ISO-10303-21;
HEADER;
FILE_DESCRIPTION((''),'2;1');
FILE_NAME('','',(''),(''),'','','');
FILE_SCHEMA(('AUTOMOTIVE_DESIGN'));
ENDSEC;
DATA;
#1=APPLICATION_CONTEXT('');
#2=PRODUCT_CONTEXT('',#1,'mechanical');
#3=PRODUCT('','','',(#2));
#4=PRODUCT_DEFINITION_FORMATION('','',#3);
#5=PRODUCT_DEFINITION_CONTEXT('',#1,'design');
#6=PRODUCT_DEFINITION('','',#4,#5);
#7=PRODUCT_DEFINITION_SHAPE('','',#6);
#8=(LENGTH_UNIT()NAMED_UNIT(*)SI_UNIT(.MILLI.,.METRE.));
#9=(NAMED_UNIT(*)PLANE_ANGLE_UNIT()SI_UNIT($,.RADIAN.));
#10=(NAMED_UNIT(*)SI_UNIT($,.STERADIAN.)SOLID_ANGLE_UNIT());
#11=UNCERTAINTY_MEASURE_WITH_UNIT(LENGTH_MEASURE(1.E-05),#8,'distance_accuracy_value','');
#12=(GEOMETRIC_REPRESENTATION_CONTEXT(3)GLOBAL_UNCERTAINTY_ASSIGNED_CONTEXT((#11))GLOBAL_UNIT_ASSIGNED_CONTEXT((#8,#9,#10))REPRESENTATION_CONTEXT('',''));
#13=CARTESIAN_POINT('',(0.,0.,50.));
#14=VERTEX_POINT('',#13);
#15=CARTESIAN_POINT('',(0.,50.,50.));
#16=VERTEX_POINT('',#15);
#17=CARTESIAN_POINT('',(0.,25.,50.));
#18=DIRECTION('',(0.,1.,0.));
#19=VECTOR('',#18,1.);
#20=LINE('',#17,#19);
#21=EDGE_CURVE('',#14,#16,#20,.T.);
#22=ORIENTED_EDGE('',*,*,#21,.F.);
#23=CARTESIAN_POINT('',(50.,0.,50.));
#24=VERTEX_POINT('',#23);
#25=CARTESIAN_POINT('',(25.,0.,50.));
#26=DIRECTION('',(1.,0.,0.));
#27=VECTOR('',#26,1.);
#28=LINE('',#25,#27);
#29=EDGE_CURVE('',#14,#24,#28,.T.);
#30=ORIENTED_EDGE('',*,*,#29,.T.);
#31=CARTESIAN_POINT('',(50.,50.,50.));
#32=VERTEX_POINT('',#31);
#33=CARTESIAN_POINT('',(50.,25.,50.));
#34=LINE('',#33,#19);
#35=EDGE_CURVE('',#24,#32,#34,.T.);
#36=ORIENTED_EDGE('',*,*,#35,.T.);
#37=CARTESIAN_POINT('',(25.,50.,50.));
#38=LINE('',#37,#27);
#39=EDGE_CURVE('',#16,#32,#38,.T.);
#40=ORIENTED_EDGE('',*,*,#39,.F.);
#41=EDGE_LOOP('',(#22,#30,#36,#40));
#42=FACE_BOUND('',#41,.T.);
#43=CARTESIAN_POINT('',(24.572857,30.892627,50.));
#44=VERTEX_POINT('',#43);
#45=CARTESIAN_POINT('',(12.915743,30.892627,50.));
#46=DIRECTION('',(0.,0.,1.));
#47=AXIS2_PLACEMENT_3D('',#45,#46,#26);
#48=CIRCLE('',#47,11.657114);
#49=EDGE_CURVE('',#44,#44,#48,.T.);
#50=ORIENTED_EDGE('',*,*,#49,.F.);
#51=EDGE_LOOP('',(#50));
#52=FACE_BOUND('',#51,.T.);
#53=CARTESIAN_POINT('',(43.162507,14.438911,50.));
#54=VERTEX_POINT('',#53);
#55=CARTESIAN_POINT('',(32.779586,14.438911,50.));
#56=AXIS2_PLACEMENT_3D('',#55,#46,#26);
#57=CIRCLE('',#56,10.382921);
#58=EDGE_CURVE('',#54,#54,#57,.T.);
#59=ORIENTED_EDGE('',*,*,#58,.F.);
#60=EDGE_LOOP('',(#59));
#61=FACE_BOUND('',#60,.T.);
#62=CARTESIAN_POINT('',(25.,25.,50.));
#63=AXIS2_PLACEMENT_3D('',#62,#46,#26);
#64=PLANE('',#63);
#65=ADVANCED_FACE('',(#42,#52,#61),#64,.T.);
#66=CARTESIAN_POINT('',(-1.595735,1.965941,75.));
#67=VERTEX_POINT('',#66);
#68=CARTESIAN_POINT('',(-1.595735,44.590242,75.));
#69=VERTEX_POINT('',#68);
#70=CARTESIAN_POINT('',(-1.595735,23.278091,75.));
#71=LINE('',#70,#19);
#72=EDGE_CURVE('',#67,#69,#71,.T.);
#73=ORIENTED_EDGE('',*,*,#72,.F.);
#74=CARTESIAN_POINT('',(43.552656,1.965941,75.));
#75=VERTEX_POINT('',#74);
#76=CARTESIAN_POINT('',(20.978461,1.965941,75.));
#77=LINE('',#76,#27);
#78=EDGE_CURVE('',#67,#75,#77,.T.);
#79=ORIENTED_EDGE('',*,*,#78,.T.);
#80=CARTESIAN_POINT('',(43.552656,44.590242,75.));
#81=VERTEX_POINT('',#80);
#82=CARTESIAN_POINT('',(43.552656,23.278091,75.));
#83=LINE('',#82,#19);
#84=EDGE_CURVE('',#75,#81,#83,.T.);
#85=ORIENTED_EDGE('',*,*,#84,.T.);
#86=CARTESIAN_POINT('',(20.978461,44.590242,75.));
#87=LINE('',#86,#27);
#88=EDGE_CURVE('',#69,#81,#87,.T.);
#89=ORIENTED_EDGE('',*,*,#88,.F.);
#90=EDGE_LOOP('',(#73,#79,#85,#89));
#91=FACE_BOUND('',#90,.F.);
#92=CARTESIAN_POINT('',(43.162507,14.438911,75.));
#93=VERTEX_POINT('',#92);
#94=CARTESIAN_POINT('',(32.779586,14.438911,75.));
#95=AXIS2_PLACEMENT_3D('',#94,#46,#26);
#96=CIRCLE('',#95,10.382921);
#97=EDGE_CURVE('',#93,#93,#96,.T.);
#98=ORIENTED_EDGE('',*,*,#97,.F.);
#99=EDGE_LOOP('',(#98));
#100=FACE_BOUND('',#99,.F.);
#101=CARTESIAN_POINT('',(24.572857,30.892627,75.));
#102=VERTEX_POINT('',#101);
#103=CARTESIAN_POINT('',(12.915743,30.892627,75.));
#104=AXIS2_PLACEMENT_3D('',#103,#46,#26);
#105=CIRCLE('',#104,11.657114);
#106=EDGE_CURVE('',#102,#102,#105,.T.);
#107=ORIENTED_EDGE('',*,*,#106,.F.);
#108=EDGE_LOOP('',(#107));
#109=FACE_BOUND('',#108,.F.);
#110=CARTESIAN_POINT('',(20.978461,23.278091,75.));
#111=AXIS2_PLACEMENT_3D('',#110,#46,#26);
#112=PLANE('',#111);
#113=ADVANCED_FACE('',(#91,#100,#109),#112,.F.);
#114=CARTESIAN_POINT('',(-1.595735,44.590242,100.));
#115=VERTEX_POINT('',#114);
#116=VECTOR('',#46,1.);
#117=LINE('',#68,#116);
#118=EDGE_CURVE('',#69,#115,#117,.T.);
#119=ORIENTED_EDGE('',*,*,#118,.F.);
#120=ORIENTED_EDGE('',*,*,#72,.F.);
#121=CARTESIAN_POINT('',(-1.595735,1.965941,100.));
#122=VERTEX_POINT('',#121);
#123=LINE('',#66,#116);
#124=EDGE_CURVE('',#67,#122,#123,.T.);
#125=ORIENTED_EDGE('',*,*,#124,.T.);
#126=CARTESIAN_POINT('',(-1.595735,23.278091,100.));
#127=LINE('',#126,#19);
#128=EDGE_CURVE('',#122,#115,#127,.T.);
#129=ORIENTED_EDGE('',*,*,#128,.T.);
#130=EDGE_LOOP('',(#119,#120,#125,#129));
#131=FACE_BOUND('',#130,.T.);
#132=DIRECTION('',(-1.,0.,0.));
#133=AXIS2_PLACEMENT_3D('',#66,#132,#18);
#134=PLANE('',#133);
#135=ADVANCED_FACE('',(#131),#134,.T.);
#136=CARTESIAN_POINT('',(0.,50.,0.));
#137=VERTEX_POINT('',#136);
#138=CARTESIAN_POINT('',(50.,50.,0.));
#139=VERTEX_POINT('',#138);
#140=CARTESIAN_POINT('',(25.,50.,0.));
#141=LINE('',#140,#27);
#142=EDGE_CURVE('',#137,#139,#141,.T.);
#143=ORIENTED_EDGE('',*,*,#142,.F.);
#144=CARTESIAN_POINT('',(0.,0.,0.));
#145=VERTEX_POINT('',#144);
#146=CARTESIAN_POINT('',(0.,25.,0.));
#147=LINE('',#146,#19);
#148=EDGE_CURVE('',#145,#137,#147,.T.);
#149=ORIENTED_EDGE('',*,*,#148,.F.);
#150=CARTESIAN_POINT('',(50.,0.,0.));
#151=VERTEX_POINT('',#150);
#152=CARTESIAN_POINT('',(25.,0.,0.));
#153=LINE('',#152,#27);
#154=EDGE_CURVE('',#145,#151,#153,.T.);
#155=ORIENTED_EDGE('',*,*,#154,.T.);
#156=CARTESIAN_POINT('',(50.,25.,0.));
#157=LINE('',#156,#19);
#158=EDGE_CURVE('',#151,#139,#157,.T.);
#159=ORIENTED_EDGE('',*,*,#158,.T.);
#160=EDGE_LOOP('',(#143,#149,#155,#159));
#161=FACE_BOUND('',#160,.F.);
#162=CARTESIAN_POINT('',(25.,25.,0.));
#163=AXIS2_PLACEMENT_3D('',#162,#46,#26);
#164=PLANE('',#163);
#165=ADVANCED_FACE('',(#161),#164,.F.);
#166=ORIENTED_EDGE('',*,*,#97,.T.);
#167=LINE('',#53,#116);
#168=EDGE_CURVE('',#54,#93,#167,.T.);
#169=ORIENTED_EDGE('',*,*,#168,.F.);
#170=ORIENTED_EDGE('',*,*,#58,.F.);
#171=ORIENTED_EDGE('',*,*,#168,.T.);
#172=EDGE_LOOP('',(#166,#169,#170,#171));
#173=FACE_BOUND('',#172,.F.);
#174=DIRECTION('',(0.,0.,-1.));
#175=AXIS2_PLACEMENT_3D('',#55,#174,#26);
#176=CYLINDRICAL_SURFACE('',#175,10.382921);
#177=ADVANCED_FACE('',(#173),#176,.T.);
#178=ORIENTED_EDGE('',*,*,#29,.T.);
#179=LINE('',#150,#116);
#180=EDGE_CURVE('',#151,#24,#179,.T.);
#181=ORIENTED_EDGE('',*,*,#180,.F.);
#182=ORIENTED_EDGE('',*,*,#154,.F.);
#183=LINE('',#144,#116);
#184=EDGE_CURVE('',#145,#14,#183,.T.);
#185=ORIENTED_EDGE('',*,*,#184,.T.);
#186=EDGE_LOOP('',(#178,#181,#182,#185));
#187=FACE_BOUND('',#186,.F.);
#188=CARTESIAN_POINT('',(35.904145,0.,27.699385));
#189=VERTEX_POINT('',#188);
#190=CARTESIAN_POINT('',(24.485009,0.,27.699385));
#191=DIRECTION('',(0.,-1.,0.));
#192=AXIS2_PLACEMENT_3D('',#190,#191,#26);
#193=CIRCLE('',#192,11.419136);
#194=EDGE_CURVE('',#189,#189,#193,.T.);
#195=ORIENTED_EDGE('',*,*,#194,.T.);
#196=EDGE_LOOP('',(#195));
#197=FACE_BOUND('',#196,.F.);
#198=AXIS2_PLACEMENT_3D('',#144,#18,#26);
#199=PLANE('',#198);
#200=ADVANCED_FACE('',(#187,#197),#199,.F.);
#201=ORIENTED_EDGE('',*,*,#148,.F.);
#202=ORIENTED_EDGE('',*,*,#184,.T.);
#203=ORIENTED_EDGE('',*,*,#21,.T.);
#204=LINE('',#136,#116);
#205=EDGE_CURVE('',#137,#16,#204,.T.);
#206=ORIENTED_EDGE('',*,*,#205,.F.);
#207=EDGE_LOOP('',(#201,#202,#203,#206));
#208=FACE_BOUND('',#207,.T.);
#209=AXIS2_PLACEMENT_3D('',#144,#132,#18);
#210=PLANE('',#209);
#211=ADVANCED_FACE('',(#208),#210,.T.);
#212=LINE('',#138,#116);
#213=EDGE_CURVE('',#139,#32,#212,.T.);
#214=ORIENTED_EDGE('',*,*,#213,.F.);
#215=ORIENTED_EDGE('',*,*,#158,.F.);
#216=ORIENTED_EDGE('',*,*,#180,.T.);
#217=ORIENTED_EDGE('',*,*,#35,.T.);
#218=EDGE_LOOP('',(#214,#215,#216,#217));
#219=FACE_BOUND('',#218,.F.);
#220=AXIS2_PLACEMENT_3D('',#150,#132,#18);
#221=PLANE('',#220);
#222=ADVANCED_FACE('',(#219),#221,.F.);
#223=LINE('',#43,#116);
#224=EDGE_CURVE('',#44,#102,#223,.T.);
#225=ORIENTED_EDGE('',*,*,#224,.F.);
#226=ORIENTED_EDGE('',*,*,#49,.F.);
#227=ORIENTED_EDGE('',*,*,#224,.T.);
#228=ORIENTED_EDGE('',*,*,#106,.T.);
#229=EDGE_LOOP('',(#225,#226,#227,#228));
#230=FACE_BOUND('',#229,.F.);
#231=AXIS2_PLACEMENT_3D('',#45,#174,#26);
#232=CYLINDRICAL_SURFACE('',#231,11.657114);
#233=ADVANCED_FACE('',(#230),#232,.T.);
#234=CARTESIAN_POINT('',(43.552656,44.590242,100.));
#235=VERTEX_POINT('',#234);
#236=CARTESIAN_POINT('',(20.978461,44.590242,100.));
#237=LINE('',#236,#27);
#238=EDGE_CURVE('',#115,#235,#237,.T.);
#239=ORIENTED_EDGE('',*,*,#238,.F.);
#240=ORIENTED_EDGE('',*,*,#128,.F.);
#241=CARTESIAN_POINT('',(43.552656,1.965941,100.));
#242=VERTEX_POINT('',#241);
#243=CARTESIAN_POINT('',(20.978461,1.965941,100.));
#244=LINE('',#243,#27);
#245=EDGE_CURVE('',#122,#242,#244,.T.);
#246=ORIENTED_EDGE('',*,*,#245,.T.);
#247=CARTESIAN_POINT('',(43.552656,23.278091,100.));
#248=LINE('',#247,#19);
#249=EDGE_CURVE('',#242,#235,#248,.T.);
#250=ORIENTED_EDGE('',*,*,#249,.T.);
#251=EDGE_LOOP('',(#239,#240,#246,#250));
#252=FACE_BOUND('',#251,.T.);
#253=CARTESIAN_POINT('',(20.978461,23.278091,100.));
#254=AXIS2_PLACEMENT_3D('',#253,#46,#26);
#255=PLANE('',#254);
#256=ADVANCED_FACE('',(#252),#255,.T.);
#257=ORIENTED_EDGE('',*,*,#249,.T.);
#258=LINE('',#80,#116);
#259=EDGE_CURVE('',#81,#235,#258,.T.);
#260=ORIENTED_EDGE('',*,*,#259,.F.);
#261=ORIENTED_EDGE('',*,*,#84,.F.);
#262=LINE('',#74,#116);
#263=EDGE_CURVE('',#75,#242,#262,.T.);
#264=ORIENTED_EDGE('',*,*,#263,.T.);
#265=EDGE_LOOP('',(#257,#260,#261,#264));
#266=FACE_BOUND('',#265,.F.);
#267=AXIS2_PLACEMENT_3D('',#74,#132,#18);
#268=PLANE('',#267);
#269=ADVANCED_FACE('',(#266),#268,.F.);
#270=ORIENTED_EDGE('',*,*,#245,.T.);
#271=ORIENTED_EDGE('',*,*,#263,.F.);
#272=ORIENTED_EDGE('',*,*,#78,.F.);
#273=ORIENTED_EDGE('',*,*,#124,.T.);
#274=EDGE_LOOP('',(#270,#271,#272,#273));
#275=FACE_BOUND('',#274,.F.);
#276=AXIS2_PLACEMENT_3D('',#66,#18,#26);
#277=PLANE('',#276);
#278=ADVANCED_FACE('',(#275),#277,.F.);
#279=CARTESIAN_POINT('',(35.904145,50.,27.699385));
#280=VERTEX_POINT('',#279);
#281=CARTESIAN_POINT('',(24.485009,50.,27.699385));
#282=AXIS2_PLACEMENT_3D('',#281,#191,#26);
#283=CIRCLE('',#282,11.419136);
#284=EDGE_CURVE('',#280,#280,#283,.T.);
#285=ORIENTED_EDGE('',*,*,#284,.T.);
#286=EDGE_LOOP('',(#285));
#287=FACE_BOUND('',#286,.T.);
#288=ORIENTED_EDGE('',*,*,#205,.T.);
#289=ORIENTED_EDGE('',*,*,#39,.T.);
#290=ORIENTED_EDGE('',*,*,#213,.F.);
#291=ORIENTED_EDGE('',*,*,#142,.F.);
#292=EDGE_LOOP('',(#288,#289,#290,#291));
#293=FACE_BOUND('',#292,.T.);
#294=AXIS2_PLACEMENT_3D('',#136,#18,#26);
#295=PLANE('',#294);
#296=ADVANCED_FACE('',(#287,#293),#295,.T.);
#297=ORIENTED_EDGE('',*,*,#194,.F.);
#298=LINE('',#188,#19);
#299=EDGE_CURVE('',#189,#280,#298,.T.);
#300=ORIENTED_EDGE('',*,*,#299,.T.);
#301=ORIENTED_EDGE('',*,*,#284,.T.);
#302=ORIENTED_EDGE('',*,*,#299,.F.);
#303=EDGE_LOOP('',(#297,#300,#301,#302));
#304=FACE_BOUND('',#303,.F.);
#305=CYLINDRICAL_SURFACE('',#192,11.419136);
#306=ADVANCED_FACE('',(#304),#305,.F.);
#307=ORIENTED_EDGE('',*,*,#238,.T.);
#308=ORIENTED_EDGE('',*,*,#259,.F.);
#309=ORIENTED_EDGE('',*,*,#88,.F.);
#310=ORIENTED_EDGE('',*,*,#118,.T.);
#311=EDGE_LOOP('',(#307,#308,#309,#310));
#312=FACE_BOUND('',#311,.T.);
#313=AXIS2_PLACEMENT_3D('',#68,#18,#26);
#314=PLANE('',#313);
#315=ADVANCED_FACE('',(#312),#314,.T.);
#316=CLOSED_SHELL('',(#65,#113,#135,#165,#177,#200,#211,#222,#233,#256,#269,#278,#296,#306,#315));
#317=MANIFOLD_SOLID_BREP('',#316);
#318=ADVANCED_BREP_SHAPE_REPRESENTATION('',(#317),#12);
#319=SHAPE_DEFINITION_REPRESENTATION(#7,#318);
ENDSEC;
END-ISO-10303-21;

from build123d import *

# Parameters (mm, degrees)
F0_W     = 50
F0_H     = 50
F1_DEPTH = 50
F2_R     = 11.6571142063
F3_DEPTH = 25
F4_R     = 10.382921487
F5_DEPTH = 25
F6_W     = 45.1483903453
F6_H     = 42.6243015099
F6_R     = 10.382921487
F7_DEPTH = 25
F8_R     = 11.4191364722
F9_DEPTH = 162


with BuildPart() as f1:
    # F0 (on Top) → F1 (new body)
    with BuildSketch(Plane.XY):
        with Locations((25, 25)):
            Rectangle(F0_W, F0_H)
    extrude(amount=F1_DEPTH)

    # F2 (on face) → F3 (join)
    with BuildSketch(Plane.XY.offset(50)):
        with Locations((12.9157425836, 30.8926273137)):
            Circle(F2_R)
    extrude(amount=F3_DEPTH)

    # F4 (on face) → F5 (join)
    with BuildSketch(Plane.XY.offset(50)):
        with Locations((32.7795855701, 14.4389113411)):
            Circle(F4_R)
    extrude(amount=F5_DEPTH)

    # F6 (on face) → F7 (join)
    with BuildSketch(Plane.XY.offset(75)):
        with Locations((20.978460554, 23.2780914521)):
            Rectangle(F6_W, F6_H)
        with Locations((32.7795855701, 14.4389113411)):
            Circle(F6_R, mode=Mode.SUBTRACT)
        with Locations((32.7795855701, 14.4389113411)):
            Circle(F6_R)
    extrude(amount=F7_DEPTH)

    # F8 (on face) → F9 (cut)
    with BuildSketch(Plane.XZ):
        with Locations((24.4850087911, 27.6993848383)):
            Circle(F8_R)
    extrude(amount=-F9_DEPTH, mode=Mode.SUBTRACT)


solid = f1.part
